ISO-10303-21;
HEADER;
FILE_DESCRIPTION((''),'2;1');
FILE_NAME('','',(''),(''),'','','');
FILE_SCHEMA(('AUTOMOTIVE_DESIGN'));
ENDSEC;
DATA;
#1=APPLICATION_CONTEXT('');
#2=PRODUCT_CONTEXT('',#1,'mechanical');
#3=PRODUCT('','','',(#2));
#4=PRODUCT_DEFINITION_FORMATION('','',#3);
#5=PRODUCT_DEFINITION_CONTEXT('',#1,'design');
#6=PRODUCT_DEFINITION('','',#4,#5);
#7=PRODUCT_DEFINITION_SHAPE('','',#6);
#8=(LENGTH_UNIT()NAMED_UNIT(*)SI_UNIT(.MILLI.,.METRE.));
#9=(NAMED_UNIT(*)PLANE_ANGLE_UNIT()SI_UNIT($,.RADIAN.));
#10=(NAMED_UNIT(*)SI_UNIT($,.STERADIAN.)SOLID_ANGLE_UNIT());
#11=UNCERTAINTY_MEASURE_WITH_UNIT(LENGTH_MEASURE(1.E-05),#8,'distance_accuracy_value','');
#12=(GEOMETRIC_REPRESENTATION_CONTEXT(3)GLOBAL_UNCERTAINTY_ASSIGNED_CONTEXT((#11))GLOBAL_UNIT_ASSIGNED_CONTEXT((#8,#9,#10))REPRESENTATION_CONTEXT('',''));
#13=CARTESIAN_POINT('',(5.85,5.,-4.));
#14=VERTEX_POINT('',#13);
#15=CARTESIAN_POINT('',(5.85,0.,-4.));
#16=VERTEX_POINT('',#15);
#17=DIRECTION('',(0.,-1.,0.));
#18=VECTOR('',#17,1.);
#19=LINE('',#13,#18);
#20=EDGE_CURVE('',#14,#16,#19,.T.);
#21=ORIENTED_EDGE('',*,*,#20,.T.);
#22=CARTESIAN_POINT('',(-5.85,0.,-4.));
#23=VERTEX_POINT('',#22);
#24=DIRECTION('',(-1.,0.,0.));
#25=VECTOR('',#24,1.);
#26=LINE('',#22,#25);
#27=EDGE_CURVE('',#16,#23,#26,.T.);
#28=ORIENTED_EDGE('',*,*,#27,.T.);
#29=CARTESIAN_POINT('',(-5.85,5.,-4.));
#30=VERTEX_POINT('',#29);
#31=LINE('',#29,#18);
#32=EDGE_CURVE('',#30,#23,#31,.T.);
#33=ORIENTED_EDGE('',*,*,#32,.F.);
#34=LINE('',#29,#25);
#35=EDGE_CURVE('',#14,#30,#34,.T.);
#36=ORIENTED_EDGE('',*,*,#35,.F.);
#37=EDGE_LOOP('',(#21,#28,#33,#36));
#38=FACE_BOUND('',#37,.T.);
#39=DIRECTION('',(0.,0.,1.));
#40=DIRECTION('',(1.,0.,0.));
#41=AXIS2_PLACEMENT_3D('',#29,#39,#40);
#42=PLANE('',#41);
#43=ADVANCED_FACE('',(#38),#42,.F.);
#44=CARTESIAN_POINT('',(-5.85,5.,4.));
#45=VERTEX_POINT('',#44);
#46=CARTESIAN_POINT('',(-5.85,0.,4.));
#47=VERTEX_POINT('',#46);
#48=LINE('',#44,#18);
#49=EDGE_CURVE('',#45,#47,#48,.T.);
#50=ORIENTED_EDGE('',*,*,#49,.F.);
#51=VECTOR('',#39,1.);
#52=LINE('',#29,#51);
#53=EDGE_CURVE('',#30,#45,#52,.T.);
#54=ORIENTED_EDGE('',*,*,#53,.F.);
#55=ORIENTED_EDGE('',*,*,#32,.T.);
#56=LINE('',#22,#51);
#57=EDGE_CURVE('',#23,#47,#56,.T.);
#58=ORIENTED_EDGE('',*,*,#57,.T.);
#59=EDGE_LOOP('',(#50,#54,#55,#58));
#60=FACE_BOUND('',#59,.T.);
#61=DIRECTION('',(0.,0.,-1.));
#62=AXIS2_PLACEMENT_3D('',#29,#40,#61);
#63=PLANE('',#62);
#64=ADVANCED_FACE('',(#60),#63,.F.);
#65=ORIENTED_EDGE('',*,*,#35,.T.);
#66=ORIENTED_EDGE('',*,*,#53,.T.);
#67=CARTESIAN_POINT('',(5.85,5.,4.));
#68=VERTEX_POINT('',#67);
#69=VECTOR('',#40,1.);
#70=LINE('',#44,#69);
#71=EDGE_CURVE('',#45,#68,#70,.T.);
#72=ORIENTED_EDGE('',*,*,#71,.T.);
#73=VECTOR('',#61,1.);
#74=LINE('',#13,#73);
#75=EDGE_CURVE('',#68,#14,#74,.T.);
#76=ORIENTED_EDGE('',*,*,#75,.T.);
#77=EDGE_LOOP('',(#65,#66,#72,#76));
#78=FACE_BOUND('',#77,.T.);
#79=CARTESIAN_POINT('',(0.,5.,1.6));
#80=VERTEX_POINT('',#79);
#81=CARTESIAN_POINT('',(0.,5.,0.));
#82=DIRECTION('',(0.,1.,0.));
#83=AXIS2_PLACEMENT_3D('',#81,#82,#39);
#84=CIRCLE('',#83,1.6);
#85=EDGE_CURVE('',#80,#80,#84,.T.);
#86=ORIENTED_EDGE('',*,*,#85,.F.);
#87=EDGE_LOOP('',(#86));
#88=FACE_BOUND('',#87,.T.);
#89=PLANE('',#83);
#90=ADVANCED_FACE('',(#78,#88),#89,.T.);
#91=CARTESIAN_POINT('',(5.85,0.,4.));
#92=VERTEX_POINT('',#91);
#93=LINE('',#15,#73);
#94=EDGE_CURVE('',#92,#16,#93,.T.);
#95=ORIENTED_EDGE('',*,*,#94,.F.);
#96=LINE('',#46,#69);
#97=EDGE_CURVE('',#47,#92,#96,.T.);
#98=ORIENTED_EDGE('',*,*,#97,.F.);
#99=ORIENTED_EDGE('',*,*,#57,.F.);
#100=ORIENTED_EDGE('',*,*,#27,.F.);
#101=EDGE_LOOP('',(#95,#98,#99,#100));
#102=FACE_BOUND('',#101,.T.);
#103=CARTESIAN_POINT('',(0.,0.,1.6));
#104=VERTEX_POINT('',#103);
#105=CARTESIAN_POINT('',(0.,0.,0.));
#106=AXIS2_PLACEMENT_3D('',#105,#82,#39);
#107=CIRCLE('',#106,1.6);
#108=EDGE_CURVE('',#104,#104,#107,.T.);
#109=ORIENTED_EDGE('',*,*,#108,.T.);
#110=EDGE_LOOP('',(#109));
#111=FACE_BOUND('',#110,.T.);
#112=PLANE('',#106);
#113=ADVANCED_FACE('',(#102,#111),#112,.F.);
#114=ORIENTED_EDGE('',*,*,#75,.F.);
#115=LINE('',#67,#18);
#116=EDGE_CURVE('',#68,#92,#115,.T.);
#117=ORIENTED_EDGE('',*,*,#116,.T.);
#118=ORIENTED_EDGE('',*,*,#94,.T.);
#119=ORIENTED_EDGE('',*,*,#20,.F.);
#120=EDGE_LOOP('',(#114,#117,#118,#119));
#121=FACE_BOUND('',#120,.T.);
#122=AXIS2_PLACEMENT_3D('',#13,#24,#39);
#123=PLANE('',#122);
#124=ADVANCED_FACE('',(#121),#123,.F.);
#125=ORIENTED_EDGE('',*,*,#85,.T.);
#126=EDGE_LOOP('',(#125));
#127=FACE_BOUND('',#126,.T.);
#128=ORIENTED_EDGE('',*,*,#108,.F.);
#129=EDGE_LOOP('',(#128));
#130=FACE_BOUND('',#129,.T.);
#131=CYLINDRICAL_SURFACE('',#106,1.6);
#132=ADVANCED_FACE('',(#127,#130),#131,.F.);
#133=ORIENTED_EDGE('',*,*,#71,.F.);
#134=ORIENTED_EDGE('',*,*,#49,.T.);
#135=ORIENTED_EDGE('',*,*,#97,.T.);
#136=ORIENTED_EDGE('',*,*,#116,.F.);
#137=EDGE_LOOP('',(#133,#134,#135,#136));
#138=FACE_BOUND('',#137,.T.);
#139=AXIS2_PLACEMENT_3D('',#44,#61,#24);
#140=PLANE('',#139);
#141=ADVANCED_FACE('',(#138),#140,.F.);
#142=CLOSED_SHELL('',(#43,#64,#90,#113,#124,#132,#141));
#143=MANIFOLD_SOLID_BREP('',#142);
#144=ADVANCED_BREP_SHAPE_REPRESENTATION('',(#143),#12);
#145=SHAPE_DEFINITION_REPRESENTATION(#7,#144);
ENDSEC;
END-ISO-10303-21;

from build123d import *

# Parameters (mm, degrees)
SKETCH1_W           = 11.7
SKETCH1_H           = 8
BOSS_EXTRUDE1_DEPTH = 5
SKETCH2_R           = 1.6
CUT_EXTRUDE1_DEPTH  = 9.673090568


with BuildPart() as part:
    # Sketch1 → Boss-Extrude1 (new body)
    with BuildSketch(Plane(origin=(0, 0, 0), x_dir=(1, 0, 0), z_dir=(0, 1, 0))):
        Rectangle(SKETCH1_W, SKETCH1_H)
    extrude(amount=BOSS_EXTRUDE1_DEPTH)

    # Sketch2 → Cut-Extrude1 (cut, through all)
    with BuildSketch(Plane(origin=(0, 5, 0), x_dir=(1, 0, 0), z_dir=(0, 1, 0))):
        with Locations(Location((0, 0, 0), (0, 0, 270))):
            Circle(SKETCH2_R)
    extrude(amount=-CUT_EXTRUDE1_DEPTH, mode=Mode.SUBTRACT)


solid = part.part
